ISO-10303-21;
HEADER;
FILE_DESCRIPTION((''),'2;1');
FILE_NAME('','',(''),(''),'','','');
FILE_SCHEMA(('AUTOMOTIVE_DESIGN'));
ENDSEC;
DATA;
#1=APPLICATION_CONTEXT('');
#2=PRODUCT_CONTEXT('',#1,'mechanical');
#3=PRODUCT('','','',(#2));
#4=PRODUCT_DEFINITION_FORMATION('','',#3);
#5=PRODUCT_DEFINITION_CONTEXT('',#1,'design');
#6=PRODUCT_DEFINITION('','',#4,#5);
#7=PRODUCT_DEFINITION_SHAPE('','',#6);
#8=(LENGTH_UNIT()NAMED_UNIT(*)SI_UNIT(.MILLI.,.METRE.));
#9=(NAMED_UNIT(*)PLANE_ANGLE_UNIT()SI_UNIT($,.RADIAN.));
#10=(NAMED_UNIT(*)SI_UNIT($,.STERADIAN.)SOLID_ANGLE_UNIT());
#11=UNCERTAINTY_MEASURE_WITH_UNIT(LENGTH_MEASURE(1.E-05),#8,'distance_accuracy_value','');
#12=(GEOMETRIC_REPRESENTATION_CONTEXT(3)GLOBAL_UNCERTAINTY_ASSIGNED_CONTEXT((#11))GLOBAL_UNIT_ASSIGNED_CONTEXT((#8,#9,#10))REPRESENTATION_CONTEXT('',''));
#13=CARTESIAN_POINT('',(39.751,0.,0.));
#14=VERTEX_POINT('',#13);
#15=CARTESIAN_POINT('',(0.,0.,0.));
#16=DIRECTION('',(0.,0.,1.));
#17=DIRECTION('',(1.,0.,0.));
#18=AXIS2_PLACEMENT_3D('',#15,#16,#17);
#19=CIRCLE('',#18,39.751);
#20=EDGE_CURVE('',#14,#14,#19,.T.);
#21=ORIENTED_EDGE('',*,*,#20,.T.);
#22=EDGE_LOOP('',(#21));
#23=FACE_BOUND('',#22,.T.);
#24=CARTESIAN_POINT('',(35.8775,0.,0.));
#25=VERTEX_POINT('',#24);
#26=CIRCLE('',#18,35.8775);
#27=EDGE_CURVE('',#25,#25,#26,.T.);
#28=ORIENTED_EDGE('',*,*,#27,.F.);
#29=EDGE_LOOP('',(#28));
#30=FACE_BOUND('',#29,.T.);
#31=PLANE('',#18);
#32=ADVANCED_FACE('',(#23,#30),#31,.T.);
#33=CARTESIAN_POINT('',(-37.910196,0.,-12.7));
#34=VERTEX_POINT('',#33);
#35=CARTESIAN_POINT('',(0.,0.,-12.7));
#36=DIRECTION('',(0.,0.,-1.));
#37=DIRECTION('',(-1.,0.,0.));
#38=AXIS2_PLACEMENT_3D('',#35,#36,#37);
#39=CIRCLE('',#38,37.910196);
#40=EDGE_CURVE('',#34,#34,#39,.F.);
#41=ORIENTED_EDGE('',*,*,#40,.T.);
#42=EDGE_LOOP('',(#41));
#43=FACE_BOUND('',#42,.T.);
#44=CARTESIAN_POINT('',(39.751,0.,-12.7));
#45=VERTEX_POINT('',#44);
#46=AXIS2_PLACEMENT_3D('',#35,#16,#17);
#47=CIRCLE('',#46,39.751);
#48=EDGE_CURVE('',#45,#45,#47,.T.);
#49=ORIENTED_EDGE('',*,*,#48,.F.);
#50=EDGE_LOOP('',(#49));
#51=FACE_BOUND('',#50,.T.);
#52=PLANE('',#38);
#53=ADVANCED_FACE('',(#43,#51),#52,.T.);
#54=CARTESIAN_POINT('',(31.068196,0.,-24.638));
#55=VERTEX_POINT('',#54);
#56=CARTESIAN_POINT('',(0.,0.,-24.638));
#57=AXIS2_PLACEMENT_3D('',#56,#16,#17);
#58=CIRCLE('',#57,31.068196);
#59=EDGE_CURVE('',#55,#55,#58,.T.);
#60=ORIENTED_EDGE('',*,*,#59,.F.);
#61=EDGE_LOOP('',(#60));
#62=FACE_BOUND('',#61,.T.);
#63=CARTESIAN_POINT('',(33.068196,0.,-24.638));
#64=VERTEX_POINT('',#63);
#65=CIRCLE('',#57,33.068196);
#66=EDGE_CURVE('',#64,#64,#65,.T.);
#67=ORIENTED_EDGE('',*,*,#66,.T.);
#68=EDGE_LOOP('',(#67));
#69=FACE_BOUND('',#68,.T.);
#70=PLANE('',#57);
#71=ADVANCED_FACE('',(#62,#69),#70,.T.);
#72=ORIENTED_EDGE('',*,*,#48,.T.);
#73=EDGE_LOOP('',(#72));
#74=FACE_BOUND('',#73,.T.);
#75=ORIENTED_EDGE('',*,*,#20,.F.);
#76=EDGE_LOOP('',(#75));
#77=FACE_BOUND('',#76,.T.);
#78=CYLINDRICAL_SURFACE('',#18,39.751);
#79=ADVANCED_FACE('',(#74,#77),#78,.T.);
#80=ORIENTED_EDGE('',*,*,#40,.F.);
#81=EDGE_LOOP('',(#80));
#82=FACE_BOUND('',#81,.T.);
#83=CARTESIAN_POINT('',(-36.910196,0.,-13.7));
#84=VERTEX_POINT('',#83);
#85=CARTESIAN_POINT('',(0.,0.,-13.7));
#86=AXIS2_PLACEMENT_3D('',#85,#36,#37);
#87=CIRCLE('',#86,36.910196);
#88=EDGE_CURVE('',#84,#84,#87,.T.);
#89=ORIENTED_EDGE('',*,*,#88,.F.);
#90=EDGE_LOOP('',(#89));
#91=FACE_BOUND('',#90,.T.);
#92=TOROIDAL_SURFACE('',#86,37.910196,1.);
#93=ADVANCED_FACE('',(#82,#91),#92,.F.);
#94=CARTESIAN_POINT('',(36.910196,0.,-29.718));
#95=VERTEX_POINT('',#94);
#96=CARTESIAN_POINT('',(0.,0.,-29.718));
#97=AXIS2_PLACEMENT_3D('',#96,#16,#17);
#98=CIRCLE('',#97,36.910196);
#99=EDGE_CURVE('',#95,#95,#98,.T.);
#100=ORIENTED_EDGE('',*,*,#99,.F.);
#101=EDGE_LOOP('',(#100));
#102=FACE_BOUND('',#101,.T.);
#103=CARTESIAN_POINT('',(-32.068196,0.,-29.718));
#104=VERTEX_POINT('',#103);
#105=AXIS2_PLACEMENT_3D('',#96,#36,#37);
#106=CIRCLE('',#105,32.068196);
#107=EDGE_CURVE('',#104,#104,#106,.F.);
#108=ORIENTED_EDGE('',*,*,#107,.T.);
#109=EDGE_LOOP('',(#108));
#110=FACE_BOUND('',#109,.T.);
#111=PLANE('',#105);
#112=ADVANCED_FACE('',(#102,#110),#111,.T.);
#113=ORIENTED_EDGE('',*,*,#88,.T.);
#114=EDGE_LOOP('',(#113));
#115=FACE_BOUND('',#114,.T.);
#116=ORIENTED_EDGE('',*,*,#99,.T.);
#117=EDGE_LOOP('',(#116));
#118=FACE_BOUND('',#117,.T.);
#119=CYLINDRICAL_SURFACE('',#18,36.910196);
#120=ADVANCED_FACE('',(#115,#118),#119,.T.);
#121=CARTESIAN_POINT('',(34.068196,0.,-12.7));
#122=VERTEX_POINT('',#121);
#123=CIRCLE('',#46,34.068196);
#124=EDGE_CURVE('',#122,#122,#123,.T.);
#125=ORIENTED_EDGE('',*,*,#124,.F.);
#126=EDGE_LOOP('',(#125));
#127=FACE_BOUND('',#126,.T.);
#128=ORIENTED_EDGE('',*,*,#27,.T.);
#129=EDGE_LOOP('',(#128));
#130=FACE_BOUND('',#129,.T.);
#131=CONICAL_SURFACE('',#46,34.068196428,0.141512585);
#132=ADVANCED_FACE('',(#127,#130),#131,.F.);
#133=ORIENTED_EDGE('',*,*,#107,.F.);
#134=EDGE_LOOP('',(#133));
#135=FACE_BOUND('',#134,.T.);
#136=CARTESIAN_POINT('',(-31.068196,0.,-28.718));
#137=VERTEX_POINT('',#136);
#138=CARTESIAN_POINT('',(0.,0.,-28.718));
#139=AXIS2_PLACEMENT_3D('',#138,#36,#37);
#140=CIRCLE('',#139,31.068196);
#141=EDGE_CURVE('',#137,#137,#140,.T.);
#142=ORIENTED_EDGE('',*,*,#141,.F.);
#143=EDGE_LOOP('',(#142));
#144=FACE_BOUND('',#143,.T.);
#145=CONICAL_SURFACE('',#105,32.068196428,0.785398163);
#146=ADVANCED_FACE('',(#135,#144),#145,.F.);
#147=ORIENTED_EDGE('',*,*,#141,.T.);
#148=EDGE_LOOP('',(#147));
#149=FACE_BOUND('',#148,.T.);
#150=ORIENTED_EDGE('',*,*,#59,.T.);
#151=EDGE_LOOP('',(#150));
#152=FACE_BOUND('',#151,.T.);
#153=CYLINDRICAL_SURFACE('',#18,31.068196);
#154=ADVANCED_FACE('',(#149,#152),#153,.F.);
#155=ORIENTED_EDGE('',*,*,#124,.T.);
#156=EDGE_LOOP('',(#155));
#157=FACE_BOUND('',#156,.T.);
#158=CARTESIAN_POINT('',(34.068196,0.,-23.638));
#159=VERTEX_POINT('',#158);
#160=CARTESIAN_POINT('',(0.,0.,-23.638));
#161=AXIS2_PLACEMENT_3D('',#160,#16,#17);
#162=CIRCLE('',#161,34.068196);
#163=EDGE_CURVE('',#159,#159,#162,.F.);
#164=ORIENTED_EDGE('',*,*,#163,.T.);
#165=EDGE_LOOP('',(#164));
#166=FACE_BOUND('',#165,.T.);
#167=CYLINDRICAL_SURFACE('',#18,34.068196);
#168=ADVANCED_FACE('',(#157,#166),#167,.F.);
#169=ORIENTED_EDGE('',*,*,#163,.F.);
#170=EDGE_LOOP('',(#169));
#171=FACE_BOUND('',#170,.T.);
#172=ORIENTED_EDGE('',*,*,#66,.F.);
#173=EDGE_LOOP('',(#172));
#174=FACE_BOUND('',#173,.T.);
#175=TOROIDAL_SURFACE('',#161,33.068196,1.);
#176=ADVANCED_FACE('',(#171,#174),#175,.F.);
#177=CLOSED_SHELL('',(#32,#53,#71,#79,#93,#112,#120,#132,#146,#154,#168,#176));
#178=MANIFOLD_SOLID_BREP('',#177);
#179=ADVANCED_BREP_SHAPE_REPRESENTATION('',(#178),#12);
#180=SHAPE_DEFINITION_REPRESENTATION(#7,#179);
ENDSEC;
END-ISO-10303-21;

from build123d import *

# Parameters (mm, degrees)
FILLET1_R     = 1
CHAMFER1_SIZE = 1
FILLET2_R     = 1


with BuildPart() as part:
    # Sketch1 → Revolve1 (revolve)
    with BuildSketch(Plane(origin=(0, 0, 0), x_dir=(1, 0, 0), z_dir=(0, 1, 0))):
        Polygon((34.068196428, 24.638), (34.068196428, 12.7), (35.8775, 0), (39.751, 0), (39.751, 12.7), (36.910196428, 12.7), (36.910196428, 29.718), (31.068196428, 29.718), (31.068196428, 24.638), align=None)
    revolve(axis=Axis((0, 0, 0), (0, 0, -1)))

    # Fillet1
    fillet1_edges = [part.edges().sort_by_distance(p)[0] for p in [
        (-36.910196428, 0, -12.7),
    ]]
    fillet(fillet1_edges, radius=FILLET1_R)

    # Chamfer1
    chamfer1_edges = [part.edges().sort_by_distance(p)[0] for p in [
        (-31.068196428, 0, -29.718),
    ]]
    chamfer(chamfer1_edges, length=CHAMFER1_SIZE)

    # Fillet2
    fillet2_edges = [part.edges().sort_by_distance(p)[0] for p in [
        (-34.068196428, 0, -24.638),
    ]]
    fillet(fillet2_edges, radius=FILLET2_R)


solid = part.part
